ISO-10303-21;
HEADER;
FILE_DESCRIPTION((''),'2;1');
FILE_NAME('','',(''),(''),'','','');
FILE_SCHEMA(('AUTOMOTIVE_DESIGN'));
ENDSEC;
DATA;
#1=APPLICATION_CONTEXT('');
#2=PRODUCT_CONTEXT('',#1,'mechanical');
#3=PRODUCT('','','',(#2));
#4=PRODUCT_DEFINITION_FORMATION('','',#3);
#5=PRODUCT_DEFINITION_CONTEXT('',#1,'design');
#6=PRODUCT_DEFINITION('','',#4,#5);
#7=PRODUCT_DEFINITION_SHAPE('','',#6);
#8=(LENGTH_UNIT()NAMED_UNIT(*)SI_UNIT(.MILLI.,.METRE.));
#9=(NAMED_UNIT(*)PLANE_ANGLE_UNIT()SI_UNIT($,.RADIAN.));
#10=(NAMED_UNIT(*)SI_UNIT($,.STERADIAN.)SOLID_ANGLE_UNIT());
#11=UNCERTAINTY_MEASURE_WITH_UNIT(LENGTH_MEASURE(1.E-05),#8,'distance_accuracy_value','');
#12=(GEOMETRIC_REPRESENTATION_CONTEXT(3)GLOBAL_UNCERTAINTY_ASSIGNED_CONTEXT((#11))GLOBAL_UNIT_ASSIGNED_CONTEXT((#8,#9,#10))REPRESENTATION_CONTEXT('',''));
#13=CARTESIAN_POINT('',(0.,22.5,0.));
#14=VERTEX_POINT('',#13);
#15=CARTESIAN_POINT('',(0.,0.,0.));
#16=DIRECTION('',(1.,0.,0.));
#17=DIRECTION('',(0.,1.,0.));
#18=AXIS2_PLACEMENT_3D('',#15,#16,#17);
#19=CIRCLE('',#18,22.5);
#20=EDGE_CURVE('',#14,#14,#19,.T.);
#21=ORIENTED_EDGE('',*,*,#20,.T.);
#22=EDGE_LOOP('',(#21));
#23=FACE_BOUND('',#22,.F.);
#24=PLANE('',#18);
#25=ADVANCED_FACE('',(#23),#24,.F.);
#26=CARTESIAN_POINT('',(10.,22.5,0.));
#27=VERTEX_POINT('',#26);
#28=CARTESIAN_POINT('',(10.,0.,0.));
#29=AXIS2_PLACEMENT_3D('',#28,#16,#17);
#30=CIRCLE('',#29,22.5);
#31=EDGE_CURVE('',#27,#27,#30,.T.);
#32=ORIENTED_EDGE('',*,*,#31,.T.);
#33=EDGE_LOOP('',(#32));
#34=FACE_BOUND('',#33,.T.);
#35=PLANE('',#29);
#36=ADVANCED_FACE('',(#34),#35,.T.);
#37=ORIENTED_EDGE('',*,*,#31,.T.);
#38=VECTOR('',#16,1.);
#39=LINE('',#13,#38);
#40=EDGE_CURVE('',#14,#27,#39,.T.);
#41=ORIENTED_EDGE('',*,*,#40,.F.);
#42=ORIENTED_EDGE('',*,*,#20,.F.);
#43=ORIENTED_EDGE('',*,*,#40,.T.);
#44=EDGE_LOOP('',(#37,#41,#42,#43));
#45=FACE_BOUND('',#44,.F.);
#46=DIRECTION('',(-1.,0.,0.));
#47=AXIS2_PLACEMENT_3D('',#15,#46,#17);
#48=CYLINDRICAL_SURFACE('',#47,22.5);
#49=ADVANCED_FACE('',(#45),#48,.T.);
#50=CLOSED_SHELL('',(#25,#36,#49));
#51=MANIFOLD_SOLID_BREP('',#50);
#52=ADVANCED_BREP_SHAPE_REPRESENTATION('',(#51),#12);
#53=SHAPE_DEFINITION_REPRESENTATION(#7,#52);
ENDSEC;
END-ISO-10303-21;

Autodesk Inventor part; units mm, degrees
ref_plane "YZ Plane" through (0, 0, 0) normal (1, 0, 0) x (0, 1, 0)
ref_plane "XZ Plane" through (0, 0, 0) normal (0, 1, 0) x (-1, 0, 0)
ref_plane "XY Plane" through (0, 0, 0) normal (0, 0, 1) x (1, 0, 0)
sketch "Sketch1" plane through (0, 0, 0) normal (1, 0, 0) x (0, 1, 0)
  circle A0 centre (0, 0) radius 22.5
  dimension "d0" = 45
extrude "Extrusion1" add sketch "Sketch1" along normal blind 10
properties part number "wheel"
